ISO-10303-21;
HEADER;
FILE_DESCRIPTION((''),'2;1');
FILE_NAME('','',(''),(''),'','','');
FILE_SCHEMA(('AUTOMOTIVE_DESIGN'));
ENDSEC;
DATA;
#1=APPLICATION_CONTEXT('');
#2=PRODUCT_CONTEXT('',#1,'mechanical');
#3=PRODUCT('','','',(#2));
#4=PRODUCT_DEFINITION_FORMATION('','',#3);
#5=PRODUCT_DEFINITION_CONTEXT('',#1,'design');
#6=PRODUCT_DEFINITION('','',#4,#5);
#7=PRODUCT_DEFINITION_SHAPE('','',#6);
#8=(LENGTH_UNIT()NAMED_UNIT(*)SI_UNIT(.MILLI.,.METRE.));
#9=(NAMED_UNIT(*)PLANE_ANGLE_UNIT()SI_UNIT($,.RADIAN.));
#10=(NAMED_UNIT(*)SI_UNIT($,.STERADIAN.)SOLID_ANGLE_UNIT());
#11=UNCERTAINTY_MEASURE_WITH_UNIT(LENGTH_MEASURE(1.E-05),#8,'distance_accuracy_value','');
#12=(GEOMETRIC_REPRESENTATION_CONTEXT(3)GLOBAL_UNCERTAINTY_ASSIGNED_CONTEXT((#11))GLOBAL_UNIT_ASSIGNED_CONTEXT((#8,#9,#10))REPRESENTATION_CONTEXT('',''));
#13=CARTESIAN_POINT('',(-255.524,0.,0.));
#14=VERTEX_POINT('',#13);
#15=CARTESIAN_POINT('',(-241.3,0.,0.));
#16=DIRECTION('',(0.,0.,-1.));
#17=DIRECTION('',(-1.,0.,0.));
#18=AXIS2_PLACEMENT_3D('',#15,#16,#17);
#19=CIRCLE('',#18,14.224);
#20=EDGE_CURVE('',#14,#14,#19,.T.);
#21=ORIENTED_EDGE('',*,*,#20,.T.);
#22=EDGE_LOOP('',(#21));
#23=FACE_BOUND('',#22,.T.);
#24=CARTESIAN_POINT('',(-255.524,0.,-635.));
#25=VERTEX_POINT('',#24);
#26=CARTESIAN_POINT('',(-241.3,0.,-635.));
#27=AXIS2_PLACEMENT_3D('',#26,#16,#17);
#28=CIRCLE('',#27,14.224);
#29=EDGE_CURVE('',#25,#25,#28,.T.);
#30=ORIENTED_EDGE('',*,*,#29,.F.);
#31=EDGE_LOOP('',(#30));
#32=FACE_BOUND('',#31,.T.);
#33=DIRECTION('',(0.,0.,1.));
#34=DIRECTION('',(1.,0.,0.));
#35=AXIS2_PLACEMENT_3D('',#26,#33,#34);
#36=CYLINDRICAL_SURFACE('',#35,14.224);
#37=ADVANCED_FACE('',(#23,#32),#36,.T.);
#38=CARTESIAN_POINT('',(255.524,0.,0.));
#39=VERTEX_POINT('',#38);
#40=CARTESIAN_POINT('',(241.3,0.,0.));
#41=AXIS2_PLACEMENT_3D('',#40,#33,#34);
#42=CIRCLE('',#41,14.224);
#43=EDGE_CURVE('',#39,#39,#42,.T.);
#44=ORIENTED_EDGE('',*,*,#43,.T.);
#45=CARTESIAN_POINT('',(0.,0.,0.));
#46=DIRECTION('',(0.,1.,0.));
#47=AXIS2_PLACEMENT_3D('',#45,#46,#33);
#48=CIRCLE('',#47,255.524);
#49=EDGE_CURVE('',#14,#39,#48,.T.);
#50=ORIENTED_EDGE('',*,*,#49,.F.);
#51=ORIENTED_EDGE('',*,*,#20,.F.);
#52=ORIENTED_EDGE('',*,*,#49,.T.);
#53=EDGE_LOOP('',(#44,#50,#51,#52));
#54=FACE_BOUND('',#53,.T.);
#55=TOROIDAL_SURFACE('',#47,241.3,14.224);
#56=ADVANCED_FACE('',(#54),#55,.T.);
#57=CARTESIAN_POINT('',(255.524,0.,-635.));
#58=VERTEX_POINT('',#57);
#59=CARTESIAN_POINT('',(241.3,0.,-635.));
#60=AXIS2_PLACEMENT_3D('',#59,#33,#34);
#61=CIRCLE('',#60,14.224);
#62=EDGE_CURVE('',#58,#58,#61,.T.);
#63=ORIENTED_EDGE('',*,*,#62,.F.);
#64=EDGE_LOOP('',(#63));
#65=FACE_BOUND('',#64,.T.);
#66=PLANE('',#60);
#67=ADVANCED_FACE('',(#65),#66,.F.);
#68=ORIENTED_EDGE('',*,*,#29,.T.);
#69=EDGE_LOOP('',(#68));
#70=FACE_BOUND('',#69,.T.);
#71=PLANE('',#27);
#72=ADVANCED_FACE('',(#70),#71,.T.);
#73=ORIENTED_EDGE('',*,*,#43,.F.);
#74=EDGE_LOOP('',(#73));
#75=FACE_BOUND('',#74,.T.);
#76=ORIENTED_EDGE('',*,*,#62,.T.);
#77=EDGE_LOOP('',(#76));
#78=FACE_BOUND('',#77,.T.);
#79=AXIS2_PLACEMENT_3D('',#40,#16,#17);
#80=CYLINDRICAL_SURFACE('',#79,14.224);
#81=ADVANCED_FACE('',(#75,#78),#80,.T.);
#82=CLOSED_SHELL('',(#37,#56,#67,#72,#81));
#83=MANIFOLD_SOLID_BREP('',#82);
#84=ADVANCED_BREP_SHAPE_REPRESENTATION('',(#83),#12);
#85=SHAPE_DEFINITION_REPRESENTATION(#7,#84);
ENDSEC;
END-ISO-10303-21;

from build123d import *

# Parameters (mm, degrees)
SWEEP3_PROFILE_R = 14.224


with BuildPart() as part:
    # Sweep3: sweep along a path in Sketch2
    with BuildLine(Plane(origin=(0, 0, 0), x_dir=(1, 0, 0), z_dir=(0, 1, 0))) as sweep3_path:
        Line((-241.3, 635), (-241.3, 0))
        ThreePointArc((-241.3, 0), (0, -241.3), (241.3, 0))
        Line((241.3, 0), (241.3, 635))
    # Sweep3 profile (on start of the path) → Sweep3 (sweep)
    with BuildSketch(Plane(origin=(-241.3, 0, -635), x_dir=(1, 0, 0), z_dir=(0, 0, 1))):
        Circle(SWEEP3_PROFILE_R)
    sweep(path=sweep3_path.line)


solid = part.part
